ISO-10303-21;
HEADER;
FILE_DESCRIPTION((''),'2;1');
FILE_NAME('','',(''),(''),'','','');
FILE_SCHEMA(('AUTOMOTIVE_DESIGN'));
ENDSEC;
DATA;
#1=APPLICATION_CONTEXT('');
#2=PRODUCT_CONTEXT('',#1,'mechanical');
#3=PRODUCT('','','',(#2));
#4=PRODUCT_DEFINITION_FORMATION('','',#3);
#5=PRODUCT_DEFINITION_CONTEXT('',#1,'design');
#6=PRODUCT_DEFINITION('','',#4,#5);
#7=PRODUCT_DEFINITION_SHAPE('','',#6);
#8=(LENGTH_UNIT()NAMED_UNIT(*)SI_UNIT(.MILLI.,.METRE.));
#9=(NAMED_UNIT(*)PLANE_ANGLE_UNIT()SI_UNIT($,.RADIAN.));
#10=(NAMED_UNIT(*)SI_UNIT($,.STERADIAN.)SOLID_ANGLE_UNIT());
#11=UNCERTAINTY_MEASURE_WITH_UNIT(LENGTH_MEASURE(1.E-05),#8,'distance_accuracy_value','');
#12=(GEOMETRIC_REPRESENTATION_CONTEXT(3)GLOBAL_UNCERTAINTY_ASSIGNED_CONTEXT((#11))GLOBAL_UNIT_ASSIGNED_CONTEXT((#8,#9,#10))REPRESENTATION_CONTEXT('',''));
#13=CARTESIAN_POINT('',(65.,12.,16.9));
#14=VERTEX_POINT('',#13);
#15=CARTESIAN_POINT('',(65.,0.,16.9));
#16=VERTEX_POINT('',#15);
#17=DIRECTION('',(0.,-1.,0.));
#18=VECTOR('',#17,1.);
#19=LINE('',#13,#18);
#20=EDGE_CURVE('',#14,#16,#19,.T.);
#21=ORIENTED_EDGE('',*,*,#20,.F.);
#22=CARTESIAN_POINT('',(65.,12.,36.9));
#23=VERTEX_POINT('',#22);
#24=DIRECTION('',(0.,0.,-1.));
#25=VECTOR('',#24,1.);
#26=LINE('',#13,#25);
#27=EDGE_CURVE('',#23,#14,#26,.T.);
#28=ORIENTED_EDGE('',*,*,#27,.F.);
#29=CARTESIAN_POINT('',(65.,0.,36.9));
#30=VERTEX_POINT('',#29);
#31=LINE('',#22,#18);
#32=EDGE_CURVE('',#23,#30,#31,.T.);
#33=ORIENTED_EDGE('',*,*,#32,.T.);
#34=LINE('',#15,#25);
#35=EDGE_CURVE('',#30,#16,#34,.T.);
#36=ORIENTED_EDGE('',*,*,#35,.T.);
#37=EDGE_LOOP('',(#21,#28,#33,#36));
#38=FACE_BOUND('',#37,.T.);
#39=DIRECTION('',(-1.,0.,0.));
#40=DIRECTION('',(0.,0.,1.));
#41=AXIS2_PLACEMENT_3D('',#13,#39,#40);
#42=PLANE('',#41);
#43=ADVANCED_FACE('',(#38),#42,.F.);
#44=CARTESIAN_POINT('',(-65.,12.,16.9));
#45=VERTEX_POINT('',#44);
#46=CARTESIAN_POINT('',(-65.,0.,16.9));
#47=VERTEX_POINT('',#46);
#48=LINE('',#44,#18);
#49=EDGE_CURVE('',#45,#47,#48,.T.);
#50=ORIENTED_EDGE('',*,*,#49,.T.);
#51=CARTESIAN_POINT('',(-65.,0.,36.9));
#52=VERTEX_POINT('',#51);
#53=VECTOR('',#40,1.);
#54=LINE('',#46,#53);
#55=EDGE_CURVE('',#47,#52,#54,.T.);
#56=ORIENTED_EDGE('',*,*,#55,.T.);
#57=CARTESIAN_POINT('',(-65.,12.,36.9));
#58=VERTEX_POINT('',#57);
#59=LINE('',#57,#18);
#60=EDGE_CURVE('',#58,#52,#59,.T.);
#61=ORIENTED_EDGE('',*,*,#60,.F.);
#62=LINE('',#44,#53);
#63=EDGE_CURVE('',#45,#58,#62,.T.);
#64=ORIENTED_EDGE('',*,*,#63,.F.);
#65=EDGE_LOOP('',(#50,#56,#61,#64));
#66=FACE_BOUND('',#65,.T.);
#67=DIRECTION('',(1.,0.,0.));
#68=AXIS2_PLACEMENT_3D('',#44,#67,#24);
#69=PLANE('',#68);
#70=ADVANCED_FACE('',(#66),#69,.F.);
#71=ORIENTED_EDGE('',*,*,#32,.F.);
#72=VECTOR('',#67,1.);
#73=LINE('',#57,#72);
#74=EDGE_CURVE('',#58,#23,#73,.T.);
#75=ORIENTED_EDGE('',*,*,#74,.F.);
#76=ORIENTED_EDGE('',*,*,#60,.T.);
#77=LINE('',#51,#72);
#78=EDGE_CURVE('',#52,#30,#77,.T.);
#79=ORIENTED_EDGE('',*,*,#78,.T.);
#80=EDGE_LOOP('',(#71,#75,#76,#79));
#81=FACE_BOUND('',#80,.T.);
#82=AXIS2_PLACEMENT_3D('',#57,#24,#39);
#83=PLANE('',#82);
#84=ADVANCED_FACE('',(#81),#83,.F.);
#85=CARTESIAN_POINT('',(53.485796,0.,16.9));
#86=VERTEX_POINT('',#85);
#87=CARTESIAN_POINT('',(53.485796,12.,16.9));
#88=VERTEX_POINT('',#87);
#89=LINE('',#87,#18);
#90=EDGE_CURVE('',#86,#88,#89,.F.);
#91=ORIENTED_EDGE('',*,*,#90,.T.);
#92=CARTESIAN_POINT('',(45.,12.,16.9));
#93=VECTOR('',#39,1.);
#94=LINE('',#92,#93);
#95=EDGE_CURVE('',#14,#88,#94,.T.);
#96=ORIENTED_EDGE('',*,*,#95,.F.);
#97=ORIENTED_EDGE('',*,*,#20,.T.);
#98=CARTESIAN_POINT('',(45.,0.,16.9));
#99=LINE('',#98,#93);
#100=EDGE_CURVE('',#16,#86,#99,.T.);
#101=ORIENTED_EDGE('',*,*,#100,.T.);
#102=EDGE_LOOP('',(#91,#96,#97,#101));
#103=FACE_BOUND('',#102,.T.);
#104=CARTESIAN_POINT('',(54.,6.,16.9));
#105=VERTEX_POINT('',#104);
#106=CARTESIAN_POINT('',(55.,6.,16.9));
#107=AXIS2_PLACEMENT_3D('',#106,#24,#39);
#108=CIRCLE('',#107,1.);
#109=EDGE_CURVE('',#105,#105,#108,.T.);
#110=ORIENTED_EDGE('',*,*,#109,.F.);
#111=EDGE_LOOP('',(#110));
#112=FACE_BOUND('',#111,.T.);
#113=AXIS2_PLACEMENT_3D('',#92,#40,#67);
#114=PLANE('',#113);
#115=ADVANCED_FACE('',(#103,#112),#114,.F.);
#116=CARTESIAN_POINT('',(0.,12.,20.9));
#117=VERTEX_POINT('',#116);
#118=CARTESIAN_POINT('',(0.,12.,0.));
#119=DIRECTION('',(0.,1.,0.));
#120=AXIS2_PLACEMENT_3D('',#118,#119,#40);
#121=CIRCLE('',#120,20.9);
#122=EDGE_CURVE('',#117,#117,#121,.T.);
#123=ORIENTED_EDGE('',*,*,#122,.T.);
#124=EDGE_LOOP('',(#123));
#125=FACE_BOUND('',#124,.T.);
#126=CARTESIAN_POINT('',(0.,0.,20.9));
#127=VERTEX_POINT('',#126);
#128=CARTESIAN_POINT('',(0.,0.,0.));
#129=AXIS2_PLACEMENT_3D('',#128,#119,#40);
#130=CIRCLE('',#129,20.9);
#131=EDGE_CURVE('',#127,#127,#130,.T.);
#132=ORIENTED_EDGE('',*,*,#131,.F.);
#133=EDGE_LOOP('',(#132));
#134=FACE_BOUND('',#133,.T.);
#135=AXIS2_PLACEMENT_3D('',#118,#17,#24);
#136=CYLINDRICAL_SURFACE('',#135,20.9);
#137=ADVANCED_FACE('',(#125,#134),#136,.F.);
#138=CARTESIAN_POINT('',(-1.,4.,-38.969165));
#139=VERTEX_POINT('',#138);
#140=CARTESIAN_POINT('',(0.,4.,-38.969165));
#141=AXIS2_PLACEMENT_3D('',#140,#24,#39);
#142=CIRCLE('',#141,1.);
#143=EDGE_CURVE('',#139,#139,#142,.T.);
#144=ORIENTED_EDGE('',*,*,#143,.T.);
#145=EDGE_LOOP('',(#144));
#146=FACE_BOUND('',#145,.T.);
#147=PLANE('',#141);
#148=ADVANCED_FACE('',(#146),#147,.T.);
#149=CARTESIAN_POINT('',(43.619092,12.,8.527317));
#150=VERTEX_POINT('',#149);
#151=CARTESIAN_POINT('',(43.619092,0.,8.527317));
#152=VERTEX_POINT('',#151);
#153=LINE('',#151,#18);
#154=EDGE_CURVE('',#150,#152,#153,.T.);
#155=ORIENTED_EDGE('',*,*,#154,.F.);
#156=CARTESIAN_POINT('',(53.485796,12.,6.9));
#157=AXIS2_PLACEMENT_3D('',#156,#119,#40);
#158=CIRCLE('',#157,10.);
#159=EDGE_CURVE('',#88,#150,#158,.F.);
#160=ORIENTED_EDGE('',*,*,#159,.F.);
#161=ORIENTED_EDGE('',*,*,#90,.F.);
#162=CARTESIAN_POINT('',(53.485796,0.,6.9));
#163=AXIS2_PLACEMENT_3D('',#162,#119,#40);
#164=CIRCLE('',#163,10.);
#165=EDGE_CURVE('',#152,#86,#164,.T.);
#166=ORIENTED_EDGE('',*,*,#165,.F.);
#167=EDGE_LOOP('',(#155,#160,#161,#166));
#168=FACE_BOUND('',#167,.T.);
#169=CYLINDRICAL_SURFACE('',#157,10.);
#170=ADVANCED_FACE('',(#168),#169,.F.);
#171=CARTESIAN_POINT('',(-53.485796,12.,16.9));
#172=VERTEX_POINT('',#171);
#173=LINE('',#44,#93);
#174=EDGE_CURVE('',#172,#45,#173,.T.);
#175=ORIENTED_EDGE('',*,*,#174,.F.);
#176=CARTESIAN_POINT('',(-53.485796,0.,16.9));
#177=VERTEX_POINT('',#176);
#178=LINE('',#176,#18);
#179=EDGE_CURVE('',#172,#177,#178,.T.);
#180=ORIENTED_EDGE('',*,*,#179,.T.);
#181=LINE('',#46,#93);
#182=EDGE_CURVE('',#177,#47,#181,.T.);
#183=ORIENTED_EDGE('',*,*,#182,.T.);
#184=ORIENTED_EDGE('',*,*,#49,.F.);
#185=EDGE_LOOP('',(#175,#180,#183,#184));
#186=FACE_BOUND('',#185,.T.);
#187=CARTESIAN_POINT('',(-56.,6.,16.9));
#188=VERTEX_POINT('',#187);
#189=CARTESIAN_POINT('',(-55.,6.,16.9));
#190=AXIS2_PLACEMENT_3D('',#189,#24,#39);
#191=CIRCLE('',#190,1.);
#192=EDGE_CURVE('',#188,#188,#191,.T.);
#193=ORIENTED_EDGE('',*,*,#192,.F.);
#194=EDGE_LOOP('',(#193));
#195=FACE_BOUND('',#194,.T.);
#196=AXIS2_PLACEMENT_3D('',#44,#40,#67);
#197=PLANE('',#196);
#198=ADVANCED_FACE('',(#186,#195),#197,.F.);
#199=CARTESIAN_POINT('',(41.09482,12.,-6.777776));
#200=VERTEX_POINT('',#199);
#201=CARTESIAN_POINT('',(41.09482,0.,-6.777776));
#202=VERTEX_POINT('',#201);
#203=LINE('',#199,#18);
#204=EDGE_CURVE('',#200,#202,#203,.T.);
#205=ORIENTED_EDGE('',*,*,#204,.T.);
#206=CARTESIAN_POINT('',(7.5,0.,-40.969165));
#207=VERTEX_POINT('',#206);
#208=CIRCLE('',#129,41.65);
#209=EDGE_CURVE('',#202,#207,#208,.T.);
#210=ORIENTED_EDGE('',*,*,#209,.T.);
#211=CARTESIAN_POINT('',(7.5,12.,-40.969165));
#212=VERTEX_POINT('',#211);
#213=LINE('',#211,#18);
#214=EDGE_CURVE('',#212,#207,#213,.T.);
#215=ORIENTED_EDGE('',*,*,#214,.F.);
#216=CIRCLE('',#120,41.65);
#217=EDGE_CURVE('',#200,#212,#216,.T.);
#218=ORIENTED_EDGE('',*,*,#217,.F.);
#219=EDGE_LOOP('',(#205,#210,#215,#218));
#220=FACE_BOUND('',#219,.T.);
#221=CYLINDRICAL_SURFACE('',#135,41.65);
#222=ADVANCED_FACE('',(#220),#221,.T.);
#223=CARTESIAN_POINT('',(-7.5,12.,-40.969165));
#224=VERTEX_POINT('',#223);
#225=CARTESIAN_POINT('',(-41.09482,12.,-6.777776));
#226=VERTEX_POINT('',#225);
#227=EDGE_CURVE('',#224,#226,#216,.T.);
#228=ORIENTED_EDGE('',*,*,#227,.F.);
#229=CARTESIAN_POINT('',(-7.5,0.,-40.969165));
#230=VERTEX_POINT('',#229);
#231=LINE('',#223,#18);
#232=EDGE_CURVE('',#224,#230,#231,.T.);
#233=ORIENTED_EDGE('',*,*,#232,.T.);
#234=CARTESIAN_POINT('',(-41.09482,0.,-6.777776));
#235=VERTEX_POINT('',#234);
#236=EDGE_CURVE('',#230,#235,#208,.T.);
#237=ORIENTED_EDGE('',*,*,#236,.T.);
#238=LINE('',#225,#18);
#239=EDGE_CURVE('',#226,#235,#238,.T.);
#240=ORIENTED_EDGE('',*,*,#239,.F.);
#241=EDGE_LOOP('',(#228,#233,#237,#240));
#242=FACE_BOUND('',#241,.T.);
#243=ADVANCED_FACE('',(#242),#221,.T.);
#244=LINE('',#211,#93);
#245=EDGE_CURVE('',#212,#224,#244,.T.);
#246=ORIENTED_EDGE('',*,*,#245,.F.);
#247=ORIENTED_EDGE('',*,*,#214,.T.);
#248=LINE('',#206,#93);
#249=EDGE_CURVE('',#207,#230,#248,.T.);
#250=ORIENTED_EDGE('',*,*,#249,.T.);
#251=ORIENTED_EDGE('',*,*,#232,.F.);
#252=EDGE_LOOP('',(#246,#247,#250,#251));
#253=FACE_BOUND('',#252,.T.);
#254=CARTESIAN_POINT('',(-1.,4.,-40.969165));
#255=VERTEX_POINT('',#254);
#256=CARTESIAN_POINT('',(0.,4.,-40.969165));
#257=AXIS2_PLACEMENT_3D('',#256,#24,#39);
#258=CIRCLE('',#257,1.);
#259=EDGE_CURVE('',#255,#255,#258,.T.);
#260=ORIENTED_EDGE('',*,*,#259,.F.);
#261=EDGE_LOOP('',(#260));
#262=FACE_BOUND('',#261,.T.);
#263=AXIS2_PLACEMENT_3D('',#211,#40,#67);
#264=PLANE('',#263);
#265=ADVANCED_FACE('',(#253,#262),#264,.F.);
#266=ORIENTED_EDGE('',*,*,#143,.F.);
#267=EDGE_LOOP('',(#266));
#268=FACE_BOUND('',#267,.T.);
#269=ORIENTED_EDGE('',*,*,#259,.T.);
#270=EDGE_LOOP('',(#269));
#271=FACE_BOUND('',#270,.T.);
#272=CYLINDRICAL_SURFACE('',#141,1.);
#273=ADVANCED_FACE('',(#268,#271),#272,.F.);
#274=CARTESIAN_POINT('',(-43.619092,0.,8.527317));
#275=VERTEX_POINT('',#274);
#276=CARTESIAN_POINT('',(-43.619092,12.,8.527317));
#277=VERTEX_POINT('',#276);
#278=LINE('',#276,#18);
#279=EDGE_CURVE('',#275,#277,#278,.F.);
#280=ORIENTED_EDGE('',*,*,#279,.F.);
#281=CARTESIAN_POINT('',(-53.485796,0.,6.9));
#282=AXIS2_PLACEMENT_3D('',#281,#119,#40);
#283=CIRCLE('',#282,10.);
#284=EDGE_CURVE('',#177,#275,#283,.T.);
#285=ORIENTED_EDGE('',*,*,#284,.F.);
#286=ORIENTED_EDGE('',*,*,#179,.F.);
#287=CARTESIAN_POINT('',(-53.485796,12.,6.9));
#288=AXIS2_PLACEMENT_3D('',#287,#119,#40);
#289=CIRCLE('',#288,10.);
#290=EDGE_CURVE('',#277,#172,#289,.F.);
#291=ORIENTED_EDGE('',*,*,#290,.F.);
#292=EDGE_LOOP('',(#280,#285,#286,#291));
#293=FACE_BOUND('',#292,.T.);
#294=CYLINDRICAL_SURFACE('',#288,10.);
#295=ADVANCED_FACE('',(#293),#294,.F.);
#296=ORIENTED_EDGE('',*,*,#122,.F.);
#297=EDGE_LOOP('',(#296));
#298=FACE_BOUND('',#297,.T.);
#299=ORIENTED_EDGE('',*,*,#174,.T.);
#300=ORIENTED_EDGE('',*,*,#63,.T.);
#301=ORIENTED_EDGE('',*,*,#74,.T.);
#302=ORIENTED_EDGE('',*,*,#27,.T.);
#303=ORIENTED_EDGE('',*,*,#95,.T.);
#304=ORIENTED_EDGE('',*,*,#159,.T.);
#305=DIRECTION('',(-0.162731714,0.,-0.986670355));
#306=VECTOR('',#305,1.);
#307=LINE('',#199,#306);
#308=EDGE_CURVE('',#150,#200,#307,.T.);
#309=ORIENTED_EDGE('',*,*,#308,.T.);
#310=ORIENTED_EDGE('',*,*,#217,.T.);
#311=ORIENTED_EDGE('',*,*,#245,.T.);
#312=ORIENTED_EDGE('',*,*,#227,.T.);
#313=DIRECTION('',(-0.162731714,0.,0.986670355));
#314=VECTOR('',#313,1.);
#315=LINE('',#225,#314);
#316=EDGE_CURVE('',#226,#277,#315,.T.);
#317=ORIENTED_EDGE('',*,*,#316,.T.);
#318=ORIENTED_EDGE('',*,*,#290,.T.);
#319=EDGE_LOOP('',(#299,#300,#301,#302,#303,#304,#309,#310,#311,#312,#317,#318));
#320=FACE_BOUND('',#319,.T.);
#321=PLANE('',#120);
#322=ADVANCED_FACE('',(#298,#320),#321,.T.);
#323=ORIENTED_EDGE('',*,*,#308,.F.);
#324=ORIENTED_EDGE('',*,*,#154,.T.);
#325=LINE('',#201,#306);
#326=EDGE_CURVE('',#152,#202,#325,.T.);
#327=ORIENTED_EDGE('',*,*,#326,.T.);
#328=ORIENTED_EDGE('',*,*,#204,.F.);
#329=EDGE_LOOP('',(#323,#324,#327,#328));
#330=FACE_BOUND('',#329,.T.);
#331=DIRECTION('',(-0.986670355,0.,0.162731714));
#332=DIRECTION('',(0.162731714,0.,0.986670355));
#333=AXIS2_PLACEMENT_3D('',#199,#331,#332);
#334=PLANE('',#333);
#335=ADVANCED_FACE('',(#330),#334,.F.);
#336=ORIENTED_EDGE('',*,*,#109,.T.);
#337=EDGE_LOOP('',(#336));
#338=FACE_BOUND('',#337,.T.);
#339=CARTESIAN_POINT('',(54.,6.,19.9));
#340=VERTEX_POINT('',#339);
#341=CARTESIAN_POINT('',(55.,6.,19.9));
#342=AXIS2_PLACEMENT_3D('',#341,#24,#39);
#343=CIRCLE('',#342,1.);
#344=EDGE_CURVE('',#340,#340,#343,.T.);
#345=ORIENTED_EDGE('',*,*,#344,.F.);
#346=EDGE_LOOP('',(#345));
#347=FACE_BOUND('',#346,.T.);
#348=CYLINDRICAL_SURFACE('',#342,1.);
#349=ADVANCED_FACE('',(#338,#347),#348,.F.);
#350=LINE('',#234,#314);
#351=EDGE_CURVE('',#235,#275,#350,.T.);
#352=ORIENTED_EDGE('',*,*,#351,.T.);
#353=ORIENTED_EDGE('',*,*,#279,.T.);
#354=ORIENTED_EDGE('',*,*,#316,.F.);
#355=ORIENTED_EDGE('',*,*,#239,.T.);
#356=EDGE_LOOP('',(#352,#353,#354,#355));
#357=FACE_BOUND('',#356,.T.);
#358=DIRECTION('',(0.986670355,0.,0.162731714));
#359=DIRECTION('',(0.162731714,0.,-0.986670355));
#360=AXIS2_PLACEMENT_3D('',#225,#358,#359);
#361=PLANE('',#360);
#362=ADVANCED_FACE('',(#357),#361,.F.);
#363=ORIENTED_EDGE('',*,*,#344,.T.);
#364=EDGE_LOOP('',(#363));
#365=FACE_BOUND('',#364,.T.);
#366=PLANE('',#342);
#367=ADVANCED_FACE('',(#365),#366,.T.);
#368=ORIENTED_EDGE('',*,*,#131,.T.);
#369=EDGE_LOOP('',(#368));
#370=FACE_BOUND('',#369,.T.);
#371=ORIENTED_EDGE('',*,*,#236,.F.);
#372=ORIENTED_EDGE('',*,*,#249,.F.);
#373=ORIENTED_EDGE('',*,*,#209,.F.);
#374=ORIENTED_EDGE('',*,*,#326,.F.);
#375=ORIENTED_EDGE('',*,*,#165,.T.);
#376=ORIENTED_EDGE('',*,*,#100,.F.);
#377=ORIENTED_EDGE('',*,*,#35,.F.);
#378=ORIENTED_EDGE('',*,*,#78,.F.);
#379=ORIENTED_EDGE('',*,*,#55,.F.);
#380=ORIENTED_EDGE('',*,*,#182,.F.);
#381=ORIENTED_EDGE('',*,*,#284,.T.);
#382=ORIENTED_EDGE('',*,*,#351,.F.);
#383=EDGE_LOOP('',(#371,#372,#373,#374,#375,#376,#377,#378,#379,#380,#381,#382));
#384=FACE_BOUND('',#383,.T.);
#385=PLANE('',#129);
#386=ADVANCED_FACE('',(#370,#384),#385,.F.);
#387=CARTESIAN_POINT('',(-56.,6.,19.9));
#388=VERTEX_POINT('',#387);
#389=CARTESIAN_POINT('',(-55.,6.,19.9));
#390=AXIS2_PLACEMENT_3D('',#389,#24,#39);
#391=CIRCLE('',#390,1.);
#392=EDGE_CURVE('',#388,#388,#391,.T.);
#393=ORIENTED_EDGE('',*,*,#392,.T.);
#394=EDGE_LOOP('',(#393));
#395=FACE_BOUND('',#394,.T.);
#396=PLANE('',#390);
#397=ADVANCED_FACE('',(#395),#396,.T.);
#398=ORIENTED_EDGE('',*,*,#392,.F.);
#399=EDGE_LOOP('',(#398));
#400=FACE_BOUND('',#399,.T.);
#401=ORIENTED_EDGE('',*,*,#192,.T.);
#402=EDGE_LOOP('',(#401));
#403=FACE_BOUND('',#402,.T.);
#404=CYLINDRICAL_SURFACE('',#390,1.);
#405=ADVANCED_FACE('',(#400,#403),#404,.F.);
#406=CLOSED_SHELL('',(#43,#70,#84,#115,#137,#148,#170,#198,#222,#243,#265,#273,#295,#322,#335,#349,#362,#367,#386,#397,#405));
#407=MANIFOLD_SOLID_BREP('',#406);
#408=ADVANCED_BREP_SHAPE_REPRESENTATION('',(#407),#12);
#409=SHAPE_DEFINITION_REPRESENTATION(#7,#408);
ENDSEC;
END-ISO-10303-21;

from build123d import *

# Parameters (mm, degrees)
SKETCH1_R           = 20.9
BOSS_EXTRUDE1_DEPTH = 12
SKETCH2_R           = 1
CUT_EXTRUDE1_DEPTH  = 3
SKETCH3_R           = 1
CUT_EXTRUDE2_DEPTH  = 3
FILLET1_R           = 10
SKETCH4_W           = 15
SKETCH4_H           = 3.988700157
CUT_EXTRUDE3_DEPTH  = 79.126323989
SKETCH8_R           = 1
CUT_EXTRUDE4_DEPTH  = 2


with BuildPart() as part:
    # Sketch1 → Boss-Extrude1 (new body)
    with BuildSketch(Plane(origin=(0, 0, 0), x_dir=(1, 0, 0), z_dir=(0, 1, 0))):
        with BuildLine():
            Line((-41.094820281, 6.777775896), (-45, -16.9))
            Line((-45, -16.9), (-65, -16.9))
            Line((-65, -16.9), (-65, -36.9))
            Line((-65, -36.9), (65, -36.9))
            Line((65, -36.9), (65, -16.9))
            Line((65, -16.9), (45, -16.9))
            Line((45, -16.9), (41.094820281, 6.777775896))
            ThreePointArc((41.094820281, 6.777775896), (0, 41.65), (-41.094820281, 6.777775896))
        make_face()
        with Locations(Location((0, 0, 0), (0, 0, 270))):
            Circle(SKETCH1_R, mode=Mode.SUBTRACT)
    extrude(amount=BOSS_EXTRUDE1_DEPTH)

    # Sketch2 → Cut-Extrude1 (cut)
    with BuildSketch(Plane(origin=(0, 0, 16.9), x_dir=(-1, 0, 0), z_dir=(0, 0, -1))):
        with Locations((-55, 6)):
            Circle(SKETCH2_R)
    extrude(amount=-CUT_EXTRUDE1_DEPTH, mode=Mode.SUBTRACT)

    # Sketch3 → Cut-Extrude2 (cut)
    with BuildSketch(Plane(origin=(0, 0, 16.9), x_dir=(-1, 0, 0), z_dir=(0, 0, -1))):
        with Locations((55, 6)):
            Circle(SKETCH3_R)
    extrude(amount=-CUT_EXTRUDE2_DEPTH, mode=Mode.SUBTRACT)

    # Fillet1
    fillet1_edges = [part.edges().sort_by_distance(p)[0] for p in [
        (-45, 6, 16.9),
        (45, 6, 16.9),
    ]]
    fillet(fillet1_edges, radius=FILLET1_R)

    # Sketch4 → Cut-Extrude3 (cut, through all)
    with BuildSketch(Plane.XZ):
        with Locations((0, -42.963515313)):
            Rectangle(SKETCH4_W, SKETCH4_H)
    extrude(amount=-CUT_EXTRUDE3_DEPTH, mode=Mode.SUBTRACT)

    # Sketch8 → Cut-Extrude4 (cut)
    with BuildSketch(Plane(origin=(0, 0, -40.969165234), x_dir=(-1, 0, 0), z_dir=(0, 0, -1))):
        with Locations((0, 4)):
            Circle(SKETCH8_R)
    extrude(amount=-CUT_EXTRUDE4_DEPTH, mode=Mode.SUBTRACT)


solid = part.part
